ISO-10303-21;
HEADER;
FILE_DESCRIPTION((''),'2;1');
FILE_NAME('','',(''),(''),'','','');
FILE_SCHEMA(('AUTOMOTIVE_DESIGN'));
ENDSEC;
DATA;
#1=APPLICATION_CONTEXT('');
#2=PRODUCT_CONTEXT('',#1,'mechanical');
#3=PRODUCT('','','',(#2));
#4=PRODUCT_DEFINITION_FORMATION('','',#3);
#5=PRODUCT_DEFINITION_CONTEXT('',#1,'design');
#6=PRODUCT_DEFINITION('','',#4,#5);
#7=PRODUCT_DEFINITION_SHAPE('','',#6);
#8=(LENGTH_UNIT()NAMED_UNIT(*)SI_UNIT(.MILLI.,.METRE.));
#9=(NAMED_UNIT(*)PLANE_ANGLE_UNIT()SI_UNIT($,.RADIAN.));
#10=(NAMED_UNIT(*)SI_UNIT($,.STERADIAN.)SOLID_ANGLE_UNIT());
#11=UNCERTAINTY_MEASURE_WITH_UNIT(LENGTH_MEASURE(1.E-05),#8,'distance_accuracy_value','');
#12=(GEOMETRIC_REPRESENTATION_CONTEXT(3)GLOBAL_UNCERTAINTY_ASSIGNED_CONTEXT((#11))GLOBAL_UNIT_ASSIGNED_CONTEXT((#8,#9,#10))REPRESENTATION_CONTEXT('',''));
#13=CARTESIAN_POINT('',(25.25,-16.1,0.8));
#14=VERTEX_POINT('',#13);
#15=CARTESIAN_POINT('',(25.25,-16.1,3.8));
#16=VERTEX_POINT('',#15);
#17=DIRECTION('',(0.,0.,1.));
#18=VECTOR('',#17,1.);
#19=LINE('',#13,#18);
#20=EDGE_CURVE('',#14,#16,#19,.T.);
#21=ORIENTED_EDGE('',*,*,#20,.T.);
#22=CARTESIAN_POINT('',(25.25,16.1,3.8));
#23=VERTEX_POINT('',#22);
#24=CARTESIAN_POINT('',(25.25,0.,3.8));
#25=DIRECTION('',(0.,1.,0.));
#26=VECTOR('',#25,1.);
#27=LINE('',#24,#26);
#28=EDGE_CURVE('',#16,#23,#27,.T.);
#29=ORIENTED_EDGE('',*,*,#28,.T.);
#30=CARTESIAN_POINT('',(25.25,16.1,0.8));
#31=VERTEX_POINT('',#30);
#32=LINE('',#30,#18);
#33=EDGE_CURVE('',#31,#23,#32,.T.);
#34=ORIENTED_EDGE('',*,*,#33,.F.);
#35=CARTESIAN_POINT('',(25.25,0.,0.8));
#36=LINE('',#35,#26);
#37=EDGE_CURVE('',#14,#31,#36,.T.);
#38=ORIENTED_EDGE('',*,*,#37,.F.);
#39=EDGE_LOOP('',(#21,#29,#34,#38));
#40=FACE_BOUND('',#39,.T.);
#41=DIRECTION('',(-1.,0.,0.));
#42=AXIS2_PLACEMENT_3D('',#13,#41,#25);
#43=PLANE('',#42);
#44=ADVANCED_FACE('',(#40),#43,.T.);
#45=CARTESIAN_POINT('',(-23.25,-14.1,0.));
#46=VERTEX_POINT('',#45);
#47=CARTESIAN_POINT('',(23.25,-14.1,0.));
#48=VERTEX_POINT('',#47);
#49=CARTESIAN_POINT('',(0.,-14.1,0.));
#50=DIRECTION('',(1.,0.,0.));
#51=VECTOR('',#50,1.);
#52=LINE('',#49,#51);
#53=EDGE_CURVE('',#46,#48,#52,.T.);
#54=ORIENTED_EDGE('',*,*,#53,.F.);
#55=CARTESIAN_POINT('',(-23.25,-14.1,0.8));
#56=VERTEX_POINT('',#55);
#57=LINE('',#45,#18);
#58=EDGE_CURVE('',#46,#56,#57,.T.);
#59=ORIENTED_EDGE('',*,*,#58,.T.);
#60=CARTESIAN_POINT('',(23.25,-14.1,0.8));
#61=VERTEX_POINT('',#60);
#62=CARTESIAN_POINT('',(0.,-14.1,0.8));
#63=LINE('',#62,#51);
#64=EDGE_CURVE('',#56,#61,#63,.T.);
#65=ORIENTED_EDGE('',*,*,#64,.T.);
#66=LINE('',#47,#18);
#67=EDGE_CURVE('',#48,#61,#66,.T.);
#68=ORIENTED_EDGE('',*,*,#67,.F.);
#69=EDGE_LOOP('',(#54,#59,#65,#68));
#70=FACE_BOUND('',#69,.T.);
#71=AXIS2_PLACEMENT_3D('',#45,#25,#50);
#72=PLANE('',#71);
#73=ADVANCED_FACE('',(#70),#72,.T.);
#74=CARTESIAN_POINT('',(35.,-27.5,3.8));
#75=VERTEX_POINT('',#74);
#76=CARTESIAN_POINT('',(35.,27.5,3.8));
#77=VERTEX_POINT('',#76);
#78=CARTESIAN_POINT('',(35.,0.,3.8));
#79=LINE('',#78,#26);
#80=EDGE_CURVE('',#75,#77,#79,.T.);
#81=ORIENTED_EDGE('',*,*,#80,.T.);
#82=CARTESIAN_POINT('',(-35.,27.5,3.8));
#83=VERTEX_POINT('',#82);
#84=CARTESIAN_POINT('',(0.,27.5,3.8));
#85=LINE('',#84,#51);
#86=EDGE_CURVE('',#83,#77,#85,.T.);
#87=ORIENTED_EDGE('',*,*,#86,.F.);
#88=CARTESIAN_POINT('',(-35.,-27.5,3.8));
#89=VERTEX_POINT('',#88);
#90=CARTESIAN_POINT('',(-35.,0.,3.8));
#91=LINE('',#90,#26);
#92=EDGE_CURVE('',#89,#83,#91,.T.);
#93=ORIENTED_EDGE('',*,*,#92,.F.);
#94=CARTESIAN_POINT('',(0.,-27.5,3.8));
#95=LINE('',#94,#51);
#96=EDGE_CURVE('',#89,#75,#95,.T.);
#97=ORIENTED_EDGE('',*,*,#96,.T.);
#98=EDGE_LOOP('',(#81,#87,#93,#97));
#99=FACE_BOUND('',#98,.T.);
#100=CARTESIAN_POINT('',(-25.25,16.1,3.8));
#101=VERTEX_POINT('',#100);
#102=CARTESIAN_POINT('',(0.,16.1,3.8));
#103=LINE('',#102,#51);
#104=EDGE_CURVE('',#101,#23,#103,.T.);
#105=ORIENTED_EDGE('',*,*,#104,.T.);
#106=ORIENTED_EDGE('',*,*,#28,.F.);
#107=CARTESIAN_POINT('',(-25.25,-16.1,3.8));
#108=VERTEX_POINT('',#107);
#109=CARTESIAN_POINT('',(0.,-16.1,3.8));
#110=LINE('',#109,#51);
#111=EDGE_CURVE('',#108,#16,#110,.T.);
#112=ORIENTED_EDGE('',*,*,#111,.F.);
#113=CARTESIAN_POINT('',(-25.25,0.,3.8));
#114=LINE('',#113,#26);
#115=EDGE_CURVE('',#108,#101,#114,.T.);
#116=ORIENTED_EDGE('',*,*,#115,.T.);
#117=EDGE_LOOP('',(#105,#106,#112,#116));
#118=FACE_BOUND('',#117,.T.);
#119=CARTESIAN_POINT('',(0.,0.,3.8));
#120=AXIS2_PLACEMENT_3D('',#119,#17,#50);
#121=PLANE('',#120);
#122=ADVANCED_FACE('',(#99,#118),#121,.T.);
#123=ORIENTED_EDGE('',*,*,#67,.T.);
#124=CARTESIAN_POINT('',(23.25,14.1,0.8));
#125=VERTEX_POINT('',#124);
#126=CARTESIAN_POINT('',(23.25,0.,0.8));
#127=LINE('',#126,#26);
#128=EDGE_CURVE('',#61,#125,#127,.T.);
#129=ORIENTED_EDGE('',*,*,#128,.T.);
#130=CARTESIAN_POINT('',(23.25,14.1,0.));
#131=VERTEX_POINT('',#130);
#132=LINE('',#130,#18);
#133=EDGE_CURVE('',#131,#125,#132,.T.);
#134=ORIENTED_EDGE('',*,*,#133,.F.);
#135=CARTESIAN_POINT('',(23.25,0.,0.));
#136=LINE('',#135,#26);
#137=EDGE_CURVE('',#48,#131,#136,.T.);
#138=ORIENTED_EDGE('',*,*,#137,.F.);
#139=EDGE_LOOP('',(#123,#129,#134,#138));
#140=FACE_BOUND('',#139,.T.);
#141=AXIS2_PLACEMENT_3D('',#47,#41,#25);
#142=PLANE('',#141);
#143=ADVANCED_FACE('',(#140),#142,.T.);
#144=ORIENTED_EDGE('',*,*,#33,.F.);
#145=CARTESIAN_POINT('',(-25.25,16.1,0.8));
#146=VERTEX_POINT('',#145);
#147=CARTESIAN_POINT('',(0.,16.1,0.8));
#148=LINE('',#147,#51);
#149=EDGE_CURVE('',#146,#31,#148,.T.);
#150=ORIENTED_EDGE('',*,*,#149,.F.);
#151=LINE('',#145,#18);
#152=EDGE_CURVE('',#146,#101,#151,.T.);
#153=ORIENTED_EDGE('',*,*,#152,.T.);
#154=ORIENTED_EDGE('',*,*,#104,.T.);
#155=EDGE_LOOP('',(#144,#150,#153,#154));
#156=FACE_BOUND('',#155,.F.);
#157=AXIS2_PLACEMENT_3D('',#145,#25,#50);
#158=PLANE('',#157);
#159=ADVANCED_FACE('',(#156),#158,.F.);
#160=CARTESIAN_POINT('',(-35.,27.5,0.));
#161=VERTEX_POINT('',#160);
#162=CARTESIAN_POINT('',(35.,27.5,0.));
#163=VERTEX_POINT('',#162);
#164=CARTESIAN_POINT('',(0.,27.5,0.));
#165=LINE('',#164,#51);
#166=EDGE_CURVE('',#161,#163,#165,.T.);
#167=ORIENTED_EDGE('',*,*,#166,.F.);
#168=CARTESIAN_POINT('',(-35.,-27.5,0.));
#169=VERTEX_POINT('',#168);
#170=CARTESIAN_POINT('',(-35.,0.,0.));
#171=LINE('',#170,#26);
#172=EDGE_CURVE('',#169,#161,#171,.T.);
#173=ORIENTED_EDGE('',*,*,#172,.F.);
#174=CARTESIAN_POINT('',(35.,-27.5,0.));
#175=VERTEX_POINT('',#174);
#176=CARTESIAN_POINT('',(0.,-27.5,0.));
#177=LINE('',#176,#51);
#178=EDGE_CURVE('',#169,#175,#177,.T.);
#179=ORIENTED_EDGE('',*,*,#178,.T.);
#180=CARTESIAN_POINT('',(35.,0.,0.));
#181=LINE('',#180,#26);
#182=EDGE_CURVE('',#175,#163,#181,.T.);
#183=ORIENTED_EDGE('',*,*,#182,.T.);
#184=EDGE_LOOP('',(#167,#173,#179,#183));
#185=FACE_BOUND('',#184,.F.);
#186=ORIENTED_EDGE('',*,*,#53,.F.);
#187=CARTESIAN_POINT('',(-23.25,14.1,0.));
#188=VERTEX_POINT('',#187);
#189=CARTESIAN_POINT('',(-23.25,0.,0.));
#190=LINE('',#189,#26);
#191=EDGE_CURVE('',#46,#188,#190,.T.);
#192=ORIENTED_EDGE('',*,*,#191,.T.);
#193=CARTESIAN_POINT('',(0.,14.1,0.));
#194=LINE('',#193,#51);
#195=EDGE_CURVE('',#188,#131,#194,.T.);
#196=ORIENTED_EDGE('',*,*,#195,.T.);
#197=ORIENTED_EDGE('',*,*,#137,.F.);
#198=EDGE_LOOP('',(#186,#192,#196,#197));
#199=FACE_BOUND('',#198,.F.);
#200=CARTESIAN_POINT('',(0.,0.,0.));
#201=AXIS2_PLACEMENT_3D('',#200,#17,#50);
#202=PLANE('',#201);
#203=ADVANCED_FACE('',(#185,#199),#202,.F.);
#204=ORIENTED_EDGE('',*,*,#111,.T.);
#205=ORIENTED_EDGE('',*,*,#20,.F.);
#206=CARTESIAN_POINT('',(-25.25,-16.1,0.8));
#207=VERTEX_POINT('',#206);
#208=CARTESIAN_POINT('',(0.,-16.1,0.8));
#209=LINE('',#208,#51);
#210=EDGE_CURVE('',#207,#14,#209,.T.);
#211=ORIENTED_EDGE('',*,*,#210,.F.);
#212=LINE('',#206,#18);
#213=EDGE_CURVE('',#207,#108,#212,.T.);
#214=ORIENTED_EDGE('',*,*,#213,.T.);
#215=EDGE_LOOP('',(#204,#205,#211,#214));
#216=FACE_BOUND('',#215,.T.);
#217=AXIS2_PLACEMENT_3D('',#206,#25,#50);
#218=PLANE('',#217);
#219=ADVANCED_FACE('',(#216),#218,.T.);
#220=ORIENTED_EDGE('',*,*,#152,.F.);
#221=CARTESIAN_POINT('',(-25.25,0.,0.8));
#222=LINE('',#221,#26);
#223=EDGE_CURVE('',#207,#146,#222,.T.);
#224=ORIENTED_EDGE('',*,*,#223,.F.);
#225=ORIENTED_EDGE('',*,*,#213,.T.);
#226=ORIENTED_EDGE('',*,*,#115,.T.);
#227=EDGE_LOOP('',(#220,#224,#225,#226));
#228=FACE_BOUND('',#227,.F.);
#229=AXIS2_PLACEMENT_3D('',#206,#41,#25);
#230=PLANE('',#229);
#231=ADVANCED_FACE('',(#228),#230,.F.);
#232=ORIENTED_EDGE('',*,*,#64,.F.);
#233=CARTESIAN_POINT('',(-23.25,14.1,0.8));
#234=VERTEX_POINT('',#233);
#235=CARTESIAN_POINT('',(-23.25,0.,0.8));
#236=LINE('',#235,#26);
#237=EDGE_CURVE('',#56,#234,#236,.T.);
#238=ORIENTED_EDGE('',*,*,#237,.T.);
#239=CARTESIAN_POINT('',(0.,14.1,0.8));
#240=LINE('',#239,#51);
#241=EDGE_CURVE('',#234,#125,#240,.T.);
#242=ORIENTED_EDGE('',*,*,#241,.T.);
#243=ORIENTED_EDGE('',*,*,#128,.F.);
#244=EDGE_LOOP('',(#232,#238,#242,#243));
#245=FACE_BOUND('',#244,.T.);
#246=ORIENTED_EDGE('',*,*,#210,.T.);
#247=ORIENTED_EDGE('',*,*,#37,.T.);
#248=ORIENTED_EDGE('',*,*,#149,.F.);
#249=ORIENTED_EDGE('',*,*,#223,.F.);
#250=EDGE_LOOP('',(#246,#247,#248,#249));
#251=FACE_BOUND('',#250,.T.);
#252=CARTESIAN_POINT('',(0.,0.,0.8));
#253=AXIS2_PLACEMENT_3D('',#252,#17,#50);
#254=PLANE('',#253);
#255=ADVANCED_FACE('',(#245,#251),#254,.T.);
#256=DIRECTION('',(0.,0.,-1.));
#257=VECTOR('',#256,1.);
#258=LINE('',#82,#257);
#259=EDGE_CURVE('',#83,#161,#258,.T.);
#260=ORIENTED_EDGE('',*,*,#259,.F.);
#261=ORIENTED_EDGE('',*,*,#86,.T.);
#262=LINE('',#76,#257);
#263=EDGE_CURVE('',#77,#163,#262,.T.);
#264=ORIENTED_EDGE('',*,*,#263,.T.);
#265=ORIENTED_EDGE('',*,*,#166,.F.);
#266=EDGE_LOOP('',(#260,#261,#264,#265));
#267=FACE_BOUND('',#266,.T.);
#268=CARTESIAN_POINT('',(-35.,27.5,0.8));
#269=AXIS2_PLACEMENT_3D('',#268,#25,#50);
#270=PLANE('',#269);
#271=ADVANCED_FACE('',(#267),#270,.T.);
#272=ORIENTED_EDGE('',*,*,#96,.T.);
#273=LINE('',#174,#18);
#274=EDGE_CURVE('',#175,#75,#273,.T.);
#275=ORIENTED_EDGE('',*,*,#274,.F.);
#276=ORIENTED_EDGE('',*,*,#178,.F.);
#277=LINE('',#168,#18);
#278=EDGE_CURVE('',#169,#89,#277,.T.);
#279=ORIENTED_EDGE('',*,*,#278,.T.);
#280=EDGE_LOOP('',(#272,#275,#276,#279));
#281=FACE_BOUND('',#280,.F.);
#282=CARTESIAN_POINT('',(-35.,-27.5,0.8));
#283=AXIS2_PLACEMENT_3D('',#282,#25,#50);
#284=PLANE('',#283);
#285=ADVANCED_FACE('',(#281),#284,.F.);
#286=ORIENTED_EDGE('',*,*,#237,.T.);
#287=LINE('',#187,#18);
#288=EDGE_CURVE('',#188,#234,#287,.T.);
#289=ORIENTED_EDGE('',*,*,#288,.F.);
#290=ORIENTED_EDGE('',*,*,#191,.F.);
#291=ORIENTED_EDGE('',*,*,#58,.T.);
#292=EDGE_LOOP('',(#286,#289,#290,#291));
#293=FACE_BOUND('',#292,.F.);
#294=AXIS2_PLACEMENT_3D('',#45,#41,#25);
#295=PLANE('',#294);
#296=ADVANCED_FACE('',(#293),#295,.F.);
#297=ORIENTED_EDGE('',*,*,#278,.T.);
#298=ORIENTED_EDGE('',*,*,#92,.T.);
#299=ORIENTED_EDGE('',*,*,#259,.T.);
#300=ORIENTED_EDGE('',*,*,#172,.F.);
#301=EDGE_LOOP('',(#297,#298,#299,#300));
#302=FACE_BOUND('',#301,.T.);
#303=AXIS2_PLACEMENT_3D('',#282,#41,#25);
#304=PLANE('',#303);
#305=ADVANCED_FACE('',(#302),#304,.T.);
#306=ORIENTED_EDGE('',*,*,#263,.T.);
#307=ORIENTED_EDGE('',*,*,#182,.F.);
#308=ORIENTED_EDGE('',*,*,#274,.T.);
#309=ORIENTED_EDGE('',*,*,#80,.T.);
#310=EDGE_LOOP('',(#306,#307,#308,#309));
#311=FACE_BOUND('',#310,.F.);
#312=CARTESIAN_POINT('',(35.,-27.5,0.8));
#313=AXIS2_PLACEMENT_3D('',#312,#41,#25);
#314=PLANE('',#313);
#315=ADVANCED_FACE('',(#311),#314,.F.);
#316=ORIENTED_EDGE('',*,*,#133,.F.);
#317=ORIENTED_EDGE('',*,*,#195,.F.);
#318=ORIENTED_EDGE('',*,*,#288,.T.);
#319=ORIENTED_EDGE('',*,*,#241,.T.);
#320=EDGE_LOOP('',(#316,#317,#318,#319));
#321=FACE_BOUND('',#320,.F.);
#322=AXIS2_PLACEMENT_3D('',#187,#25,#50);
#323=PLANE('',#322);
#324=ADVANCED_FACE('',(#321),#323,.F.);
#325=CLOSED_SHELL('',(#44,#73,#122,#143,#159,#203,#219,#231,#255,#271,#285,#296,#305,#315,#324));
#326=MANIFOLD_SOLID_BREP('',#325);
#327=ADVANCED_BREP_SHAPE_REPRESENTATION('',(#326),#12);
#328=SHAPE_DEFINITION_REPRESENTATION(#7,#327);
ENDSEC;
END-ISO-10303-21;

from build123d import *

# Parameters (mm, degrees)
SKETCH_W      = 70
SKETCH_H      = 55
SKETCH_W_2    = 46.5
SKETCH_H_2    = 28.2
PAD_DEPTH     = 0.8
SKETCH001_W   = 70
SKETCH001_H   = 55
SKETCH001_W_2 = 50.5
SKETCH001_H_2 = 32.2
PAD001_DEPTH  = 3


with BuildPart() as part:
    # Sketch → Pad (new body)
    with BuildSketch(Plane.XY):
        Rectangle(SKETCH_W, SKETCH_H)
        Rectangle(SKETCH_W_2, SKETCH_H_2, mode=Mode.SUBTRACT)
    extrude(amount=PAD_DEPTH)

    # Sketch001 (on DatumPlane) → Pad001 (join)
    with BuildSketch(Plane.XY.offset(0.8)):
        Rectangle(SKETCH001_W, SKETCH001_H)
        Rectangle(SKETCH001_W_2, SKETCH001_H_2, mode=Mode.SUBTRACT)
    extrude(amount=PAD001_DEPTH)


solid = part.part
